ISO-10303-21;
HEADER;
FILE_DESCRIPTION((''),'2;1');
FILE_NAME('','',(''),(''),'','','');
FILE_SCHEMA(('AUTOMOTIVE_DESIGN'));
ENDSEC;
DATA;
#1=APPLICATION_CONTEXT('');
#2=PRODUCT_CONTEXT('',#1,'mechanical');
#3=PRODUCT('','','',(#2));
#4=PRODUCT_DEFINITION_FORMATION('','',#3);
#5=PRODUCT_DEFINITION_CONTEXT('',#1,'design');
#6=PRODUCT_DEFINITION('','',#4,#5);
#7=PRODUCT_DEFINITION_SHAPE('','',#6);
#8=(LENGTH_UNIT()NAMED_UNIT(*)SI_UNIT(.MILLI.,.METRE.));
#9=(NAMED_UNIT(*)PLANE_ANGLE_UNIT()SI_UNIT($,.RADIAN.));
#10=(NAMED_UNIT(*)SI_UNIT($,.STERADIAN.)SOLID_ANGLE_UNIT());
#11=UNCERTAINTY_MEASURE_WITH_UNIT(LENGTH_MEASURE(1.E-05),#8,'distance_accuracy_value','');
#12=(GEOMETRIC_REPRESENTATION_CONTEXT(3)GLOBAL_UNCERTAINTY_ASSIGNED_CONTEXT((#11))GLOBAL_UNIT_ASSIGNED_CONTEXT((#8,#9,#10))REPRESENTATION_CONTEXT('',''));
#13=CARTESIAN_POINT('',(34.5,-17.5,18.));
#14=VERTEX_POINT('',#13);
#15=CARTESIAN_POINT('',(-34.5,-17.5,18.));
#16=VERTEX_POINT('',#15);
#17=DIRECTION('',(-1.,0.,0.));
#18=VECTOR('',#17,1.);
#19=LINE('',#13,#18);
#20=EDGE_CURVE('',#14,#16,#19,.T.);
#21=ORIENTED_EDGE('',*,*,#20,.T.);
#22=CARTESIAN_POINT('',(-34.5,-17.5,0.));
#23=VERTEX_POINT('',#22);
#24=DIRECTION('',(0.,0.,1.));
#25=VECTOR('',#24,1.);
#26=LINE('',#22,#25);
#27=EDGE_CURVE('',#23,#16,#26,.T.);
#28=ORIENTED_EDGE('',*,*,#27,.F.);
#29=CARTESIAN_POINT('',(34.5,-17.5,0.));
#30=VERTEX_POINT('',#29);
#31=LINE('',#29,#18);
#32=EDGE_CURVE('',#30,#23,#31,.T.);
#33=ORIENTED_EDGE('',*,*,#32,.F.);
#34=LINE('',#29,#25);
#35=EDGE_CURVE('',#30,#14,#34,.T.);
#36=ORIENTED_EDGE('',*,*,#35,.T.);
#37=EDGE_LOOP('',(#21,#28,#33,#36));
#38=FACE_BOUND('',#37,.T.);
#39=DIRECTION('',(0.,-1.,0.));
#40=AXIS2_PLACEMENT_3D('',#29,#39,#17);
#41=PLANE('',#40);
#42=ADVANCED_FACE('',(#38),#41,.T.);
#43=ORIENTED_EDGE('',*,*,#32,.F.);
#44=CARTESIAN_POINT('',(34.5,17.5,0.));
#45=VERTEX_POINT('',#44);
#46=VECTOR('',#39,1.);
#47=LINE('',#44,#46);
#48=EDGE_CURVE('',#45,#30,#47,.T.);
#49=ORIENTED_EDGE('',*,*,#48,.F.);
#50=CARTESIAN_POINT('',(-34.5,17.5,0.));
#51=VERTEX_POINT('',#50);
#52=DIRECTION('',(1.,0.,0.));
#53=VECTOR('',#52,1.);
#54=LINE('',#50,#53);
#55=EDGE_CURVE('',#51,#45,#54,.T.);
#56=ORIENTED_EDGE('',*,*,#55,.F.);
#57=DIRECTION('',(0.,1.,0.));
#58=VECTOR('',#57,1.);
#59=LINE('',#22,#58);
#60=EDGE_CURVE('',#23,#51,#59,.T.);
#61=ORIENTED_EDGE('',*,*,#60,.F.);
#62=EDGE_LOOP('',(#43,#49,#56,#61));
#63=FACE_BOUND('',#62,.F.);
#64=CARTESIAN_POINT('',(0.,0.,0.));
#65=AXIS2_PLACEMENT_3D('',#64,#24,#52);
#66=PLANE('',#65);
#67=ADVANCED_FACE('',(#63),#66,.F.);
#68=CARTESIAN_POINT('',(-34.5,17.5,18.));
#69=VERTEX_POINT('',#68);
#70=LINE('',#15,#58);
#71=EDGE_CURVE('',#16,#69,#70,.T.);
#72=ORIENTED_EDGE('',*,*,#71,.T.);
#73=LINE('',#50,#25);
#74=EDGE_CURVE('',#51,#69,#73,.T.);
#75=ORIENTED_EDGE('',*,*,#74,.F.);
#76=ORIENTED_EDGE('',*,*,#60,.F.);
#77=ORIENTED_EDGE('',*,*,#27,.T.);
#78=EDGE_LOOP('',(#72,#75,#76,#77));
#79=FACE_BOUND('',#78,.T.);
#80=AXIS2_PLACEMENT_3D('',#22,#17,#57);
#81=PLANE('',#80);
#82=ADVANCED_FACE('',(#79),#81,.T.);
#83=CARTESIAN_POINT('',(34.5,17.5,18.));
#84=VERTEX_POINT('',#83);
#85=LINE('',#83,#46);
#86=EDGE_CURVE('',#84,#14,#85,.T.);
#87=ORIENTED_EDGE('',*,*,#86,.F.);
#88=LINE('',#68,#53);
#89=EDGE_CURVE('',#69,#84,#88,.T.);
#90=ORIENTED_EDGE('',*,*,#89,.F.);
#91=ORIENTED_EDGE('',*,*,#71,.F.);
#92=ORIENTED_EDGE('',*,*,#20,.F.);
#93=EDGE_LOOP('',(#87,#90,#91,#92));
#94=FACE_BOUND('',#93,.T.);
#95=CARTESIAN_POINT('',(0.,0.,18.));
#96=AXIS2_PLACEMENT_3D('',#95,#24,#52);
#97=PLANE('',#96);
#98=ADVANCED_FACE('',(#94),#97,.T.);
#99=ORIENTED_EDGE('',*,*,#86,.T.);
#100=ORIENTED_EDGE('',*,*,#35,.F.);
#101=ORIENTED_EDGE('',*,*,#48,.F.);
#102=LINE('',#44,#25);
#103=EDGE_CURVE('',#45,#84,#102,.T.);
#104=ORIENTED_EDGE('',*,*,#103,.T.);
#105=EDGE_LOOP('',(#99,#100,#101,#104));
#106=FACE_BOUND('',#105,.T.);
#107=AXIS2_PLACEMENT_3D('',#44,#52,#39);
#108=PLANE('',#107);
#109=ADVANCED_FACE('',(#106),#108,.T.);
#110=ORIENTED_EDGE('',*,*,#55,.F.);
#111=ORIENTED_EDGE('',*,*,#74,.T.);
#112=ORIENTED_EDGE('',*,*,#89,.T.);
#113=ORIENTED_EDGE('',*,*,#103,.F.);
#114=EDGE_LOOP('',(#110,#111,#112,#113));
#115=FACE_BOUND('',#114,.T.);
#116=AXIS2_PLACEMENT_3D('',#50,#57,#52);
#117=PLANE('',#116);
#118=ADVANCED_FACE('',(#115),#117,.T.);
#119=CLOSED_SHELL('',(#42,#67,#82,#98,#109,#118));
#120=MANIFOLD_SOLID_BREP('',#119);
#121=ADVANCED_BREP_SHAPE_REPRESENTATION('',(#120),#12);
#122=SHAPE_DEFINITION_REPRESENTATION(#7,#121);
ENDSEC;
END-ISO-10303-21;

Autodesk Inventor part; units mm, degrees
ref_plane "YZ Plane" through (0, 0, 0) normal (1, 0, 0) x (0, 1, 0)
ref_plane "XZ Plane" through (0, 0, 0) normal (0, 1, 0) x (-1, 0, 0)
ref_plane "XY Plane" through (0, 0, 0) normal (0, 0, 1) x (1, 0, 0)
sketch "スケッチ1" plane through (0, 0, 0) normal (0, 0, 1) x (1, 0, 0)
  line L0 (-34.5, 17.5) -> (34.5, 17.5)
  line L1 (34.5, 17.5) -> (34.5, -17.5)
  line L2 (34.5, -17.5) -> (-34.5, -17.5)
  line L3 (-34.5, -17.5) -> (-34.5, 17.5)
  point P0 (0, 0)
  point P1 (0, 17.5)
  point P2 (-34.5, 0)
  dimension "d0" = 69
  dimension "d1" = 35
extrude "押し出し1" add sketch "スケッチ1" along normal blind 18
sketch "スケッチ2" plane through (0, 0, 18) normal (0, 0, 1) x (1, 0, 0)
  line L0 (-20.4486, 8.918) -> (24.838, 8.918) construction
  line L1 (24.838, 8.918) -> (24.838, -6.4098) construction
  line L2 (24.838, -6.4098) -> (-20.4486, -6.4098) construction
  line L3 (-20.4486, -6.4098) -> (-20.4486, 8.918) construction
  point P0 (0, 0)
properties part number "LiPo-7.4V-69x35x18"
